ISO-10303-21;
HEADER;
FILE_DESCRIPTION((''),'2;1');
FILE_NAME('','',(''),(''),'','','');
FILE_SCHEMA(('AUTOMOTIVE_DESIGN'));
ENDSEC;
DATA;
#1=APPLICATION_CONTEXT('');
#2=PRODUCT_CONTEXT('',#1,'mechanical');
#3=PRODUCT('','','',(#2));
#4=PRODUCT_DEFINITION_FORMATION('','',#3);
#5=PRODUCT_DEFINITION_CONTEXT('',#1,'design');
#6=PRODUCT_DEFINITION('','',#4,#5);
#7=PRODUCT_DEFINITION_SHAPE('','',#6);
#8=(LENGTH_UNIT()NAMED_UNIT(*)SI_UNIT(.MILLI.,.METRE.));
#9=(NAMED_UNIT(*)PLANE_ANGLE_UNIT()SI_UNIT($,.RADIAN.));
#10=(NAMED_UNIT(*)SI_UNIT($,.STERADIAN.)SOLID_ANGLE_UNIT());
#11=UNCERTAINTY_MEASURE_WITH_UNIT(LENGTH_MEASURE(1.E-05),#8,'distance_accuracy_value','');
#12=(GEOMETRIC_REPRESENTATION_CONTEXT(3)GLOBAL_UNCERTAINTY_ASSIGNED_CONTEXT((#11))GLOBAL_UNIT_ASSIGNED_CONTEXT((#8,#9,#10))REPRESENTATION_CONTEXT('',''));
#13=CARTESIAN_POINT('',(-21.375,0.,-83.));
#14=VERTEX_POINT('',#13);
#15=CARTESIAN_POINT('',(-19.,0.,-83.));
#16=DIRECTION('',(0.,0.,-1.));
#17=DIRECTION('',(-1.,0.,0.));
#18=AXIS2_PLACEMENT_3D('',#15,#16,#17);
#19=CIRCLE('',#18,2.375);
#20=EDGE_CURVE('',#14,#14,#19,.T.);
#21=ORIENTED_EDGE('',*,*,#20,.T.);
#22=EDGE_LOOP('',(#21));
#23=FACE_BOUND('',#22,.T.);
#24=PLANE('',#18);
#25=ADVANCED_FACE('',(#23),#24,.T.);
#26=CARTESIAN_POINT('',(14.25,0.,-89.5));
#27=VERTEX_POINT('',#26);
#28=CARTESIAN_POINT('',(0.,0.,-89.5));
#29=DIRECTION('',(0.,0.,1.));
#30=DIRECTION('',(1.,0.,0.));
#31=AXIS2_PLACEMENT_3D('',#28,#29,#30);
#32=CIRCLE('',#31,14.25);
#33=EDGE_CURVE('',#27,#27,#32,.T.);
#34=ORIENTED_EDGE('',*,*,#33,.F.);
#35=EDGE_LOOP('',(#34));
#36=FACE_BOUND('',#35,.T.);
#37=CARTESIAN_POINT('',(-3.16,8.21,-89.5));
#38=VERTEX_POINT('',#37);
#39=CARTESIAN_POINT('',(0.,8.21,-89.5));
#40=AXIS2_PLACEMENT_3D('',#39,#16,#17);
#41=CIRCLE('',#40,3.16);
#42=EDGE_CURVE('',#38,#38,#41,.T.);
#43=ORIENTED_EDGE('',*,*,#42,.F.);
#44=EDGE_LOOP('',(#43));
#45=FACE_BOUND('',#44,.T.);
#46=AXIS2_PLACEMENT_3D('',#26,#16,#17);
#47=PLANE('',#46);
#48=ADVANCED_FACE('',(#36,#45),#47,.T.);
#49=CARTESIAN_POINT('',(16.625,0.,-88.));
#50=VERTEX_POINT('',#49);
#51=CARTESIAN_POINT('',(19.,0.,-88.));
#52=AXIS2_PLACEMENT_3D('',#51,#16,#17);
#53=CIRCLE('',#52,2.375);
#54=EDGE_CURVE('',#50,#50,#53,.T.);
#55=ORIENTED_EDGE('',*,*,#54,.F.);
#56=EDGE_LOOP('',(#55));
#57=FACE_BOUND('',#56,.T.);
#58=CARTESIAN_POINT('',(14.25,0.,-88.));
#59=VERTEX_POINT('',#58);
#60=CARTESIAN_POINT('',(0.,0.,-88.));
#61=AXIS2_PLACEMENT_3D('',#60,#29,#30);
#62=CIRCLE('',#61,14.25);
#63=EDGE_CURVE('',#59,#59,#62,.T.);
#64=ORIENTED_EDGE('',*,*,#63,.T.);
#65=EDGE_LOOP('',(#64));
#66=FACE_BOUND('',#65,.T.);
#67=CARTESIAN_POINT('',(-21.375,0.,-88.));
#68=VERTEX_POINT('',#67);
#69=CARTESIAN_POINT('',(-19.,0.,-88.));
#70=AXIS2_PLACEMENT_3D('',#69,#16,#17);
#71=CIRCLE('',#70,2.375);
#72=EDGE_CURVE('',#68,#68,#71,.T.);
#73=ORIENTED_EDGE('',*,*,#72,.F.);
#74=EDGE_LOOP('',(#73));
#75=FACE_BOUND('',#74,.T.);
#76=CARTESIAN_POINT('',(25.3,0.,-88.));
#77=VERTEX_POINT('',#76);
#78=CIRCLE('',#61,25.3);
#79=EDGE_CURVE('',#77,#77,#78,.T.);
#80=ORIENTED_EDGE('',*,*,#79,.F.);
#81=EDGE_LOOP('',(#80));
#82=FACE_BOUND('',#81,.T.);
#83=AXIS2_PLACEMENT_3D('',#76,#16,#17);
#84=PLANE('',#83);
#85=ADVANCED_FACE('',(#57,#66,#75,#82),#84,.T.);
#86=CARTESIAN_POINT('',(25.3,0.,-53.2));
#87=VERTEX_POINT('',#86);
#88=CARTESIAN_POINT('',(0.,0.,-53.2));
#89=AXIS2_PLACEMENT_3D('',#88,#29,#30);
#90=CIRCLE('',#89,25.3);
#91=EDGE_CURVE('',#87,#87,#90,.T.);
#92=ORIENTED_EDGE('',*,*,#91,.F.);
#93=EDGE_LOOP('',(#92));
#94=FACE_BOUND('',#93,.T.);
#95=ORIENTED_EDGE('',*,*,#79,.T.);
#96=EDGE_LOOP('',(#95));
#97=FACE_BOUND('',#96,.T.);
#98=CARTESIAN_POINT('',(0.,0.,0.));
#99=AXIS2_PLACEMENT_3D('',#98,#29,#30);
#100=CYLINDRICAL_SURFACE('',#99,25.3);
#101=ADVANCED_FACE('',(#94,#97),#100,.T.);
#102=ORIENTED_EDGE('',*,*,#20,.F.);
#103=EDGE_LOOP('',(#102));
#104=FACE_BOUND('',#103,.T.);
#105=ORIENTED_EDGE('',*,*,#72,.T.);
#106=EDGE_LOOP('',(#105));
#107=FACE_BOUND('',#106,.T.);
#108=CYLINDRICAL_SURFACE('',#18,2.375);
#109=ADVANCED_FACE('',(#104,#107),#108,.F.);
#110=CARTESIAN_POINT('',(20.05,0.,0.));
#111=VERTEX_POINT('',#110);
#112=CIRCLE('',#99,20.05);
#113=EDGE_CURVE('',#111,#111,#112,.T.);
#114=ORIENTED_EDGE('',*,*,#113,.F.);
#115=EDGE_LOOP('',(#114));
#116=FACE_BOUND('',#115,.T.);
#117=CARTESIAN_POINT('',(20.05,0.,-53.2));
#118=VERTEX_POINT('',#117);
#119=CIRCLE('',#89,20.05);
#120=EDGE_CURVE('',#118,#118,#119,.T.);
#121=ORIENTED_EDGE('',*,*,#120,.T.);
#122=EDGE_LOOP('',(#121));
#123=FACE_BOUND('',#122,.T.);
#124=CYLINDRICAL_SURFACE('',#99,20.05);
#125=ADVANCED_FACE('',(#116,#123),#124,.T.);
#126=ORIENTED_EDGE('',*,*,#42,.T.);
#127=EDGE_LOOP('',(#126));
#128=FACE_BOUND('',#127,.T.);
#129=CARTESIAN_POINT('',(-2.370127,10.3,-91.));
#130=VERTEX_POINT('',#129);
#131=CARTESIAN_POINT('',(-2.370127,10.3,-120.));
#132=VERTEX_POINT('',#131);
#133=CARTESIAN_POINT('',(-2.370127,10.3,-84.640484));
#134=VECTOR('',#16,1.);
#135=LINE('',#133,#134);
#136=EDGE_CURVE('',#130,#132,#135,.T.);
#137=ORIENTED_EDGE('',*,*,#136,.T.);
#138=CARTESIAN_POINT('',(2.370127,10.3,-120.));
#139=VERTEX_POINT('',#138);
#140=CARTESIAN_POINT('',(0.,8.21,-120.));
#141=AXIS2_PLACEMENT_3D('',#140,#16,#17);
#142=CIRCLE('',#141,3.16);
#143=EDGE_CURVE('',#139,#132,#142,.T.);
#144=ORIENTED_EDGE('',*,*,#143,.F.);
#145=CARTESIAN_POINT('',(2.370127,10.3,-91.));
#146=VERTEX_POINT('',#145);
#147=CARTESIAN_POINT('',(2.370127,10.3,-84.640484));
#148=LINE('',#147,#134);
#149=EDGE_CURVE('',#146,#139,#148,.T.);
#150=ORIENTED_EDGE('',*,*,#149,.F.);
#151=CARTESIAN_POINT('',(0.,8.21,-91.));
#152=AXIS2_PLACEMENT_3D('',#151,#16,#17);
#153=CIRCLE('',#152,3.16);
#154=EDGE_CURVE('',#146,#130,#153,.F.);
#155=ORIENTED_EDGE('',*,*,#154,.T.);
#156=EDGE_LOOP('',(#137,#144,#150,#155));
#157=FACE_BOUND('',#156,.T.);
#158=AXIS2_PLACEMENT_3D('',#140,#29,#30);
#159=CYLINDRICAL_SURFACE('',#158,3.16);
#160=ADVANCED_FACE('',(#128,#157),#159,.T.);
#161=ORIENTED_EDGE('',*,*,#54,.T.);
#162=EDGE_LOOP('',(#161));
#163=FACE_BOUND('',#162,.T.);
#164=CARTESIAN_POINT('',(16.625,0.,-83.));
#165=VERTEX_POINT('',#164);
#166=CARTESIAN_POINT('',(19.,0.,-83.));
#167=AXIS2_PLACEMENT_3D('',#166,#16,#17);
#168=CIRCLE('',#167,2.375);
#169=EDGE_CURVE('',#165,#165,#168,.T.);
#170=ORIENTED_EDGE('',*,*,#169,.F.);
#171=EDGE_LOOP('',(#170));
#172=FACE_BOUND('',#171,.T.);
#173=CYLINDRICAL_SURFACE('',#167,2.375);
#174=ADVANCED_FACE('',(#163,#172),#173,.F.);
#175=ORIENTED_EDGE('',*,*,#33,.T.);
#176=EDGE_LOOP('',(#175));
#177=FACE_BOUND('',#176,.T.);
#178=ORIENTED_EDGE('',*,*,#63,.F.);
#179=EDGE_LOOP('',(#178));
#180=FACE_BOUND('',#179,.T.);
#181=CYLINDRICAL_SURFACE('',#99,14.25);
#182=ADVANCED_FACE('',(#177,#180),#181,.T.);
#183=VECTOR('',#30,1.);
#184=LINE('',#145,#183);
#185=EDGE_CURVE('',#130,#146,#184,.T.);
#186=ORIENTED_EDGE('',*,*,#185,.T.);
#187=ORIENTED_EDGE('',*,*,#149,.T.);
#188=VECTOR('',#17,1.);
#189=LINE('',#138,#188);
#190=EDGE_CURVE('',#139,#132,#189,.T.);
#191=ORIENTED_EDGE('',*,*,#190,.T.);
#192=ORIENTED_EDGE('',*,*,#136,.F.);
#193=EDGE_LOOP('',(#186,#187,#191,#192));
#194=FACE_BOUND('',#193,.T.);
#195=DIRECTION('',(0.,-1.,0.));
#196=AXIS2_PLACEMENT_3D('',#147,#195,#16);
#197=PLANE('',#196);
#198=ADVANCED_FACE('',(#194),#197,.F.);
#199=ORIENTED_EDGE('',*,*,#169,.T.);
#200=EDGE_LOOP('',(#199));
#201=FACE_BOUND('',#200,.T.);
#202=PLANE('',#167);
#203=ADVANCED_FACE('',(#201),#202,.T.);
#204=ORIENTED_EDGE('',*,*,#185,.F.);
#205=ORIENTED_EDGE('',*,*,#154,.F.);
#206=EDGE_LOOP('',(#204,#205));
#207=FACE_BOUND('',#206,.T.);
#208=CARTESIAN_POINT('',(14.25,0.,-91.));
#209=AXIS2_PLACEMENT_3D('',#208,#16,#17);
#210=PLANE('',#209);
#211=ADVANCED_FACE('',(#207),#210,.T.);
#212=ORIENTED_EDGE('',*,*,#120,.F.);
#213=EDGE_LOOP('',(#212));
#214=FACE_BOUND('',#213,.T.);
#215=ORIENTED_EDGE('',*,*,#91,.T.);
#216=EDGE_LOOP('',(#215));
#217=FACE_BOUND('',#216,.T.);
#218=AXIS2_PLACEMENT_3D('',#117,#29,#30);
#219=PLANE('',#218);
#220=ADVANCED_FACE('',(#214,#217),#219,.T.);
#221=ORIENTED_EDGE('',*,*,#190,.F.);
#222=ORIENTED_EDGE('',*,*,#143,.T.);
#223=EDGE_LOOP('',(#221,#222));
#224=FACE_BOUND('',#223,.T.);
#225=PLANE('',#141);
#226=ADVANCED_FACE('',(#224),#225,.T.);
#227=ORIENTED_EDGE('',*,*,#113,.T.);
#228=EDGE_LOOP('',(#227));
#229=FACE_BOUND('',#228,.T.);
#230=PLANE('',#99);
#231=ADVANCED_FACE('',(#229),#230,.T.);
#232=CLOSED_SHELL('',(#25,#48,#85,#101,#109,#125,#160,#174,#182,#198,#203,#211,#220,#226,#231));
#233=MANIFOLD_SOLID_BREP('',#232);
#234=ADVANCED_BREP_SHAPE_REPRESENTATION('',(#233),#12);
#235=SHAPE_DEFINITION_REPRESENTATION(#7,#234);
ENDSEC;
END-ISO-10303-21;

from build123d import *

# Parameters (mm, degrees)
SKETCH4_R           = 3.16
BOSS_EXTRUDE1_DEPTH = 30.5
CUT_EXTRUDE2_START  = -29
CUT_EXTRUDE2_DEPTH  = 29
SKETCH6_R           = 2.375
CUT_EXTRUDE3_DEPTH  = 5


with BuildPart() as part:
    # Sketch1 → Revolve1 (revolve)
    with BuildSketch(Plane(origin=(0, 0, 0), x_dir=(1, 0, 0), z_dir=(0, 1, 0))):
        Polygon((0, 0), (20.05, 0), (20.05, 53.2), (25.3, 53.2), (25.3, 88), (14.25, 88), (14.25, 89.5), (0, 89.5), align=None)
    revolve(axis=Axis((0, 0, 0), (0, 0, -1)))

    # Sketch4 → Boss-Extrude1 (add)
    with BuildSketch(Plane(origin=(0, 0, -89.5), x_dir=(-1, 0, 0), z_dir=(0, 0, -1))):
        with Locations(Location((0, 8.21, 0), (0, 0, 180))):
            Circle(SKETCH4_R)
    extrude(amount=BOSS_EXTRUDE1_DEPTH)

    # Sketch5 → Cut-Extrude2 (cut)
    with BuildSketch(Plane(origin=(0, 0, -120), x_dir=(-1, 0, 0), z_dir=(0, 0, -1)).offset(CUT_EXTRUDE2_START)):
        with BuildLine():
            Line((-2.370126579, 10.3), (2.370126579, 10.3))
            ThreePointArc((2.370126579, 10.3), (0, 11.37), (-2.370126579, 10.3))
        make_face()
    extrude(amount=CUT_EXTRUDE2_DEPTH, mode=Mode.SUBTRACT)

    # Sketch6 → Cut-Extrude3 (cut)
    with BuildSketch(Plane(origin=(0, 0, -88), x_dir=(-1, 0, 0), z_dir=(0, 0, -1))):
        with Locations((-19, 0)):
            Circle(SKETCH6_R)
        with Locations((19, 0)):
            Circle(SKETCH6_R)
    extrude(amount=-CUT_EXTRUDE3_DEPTH, mode=Mode.SUBTRACT)


solid = part.part
